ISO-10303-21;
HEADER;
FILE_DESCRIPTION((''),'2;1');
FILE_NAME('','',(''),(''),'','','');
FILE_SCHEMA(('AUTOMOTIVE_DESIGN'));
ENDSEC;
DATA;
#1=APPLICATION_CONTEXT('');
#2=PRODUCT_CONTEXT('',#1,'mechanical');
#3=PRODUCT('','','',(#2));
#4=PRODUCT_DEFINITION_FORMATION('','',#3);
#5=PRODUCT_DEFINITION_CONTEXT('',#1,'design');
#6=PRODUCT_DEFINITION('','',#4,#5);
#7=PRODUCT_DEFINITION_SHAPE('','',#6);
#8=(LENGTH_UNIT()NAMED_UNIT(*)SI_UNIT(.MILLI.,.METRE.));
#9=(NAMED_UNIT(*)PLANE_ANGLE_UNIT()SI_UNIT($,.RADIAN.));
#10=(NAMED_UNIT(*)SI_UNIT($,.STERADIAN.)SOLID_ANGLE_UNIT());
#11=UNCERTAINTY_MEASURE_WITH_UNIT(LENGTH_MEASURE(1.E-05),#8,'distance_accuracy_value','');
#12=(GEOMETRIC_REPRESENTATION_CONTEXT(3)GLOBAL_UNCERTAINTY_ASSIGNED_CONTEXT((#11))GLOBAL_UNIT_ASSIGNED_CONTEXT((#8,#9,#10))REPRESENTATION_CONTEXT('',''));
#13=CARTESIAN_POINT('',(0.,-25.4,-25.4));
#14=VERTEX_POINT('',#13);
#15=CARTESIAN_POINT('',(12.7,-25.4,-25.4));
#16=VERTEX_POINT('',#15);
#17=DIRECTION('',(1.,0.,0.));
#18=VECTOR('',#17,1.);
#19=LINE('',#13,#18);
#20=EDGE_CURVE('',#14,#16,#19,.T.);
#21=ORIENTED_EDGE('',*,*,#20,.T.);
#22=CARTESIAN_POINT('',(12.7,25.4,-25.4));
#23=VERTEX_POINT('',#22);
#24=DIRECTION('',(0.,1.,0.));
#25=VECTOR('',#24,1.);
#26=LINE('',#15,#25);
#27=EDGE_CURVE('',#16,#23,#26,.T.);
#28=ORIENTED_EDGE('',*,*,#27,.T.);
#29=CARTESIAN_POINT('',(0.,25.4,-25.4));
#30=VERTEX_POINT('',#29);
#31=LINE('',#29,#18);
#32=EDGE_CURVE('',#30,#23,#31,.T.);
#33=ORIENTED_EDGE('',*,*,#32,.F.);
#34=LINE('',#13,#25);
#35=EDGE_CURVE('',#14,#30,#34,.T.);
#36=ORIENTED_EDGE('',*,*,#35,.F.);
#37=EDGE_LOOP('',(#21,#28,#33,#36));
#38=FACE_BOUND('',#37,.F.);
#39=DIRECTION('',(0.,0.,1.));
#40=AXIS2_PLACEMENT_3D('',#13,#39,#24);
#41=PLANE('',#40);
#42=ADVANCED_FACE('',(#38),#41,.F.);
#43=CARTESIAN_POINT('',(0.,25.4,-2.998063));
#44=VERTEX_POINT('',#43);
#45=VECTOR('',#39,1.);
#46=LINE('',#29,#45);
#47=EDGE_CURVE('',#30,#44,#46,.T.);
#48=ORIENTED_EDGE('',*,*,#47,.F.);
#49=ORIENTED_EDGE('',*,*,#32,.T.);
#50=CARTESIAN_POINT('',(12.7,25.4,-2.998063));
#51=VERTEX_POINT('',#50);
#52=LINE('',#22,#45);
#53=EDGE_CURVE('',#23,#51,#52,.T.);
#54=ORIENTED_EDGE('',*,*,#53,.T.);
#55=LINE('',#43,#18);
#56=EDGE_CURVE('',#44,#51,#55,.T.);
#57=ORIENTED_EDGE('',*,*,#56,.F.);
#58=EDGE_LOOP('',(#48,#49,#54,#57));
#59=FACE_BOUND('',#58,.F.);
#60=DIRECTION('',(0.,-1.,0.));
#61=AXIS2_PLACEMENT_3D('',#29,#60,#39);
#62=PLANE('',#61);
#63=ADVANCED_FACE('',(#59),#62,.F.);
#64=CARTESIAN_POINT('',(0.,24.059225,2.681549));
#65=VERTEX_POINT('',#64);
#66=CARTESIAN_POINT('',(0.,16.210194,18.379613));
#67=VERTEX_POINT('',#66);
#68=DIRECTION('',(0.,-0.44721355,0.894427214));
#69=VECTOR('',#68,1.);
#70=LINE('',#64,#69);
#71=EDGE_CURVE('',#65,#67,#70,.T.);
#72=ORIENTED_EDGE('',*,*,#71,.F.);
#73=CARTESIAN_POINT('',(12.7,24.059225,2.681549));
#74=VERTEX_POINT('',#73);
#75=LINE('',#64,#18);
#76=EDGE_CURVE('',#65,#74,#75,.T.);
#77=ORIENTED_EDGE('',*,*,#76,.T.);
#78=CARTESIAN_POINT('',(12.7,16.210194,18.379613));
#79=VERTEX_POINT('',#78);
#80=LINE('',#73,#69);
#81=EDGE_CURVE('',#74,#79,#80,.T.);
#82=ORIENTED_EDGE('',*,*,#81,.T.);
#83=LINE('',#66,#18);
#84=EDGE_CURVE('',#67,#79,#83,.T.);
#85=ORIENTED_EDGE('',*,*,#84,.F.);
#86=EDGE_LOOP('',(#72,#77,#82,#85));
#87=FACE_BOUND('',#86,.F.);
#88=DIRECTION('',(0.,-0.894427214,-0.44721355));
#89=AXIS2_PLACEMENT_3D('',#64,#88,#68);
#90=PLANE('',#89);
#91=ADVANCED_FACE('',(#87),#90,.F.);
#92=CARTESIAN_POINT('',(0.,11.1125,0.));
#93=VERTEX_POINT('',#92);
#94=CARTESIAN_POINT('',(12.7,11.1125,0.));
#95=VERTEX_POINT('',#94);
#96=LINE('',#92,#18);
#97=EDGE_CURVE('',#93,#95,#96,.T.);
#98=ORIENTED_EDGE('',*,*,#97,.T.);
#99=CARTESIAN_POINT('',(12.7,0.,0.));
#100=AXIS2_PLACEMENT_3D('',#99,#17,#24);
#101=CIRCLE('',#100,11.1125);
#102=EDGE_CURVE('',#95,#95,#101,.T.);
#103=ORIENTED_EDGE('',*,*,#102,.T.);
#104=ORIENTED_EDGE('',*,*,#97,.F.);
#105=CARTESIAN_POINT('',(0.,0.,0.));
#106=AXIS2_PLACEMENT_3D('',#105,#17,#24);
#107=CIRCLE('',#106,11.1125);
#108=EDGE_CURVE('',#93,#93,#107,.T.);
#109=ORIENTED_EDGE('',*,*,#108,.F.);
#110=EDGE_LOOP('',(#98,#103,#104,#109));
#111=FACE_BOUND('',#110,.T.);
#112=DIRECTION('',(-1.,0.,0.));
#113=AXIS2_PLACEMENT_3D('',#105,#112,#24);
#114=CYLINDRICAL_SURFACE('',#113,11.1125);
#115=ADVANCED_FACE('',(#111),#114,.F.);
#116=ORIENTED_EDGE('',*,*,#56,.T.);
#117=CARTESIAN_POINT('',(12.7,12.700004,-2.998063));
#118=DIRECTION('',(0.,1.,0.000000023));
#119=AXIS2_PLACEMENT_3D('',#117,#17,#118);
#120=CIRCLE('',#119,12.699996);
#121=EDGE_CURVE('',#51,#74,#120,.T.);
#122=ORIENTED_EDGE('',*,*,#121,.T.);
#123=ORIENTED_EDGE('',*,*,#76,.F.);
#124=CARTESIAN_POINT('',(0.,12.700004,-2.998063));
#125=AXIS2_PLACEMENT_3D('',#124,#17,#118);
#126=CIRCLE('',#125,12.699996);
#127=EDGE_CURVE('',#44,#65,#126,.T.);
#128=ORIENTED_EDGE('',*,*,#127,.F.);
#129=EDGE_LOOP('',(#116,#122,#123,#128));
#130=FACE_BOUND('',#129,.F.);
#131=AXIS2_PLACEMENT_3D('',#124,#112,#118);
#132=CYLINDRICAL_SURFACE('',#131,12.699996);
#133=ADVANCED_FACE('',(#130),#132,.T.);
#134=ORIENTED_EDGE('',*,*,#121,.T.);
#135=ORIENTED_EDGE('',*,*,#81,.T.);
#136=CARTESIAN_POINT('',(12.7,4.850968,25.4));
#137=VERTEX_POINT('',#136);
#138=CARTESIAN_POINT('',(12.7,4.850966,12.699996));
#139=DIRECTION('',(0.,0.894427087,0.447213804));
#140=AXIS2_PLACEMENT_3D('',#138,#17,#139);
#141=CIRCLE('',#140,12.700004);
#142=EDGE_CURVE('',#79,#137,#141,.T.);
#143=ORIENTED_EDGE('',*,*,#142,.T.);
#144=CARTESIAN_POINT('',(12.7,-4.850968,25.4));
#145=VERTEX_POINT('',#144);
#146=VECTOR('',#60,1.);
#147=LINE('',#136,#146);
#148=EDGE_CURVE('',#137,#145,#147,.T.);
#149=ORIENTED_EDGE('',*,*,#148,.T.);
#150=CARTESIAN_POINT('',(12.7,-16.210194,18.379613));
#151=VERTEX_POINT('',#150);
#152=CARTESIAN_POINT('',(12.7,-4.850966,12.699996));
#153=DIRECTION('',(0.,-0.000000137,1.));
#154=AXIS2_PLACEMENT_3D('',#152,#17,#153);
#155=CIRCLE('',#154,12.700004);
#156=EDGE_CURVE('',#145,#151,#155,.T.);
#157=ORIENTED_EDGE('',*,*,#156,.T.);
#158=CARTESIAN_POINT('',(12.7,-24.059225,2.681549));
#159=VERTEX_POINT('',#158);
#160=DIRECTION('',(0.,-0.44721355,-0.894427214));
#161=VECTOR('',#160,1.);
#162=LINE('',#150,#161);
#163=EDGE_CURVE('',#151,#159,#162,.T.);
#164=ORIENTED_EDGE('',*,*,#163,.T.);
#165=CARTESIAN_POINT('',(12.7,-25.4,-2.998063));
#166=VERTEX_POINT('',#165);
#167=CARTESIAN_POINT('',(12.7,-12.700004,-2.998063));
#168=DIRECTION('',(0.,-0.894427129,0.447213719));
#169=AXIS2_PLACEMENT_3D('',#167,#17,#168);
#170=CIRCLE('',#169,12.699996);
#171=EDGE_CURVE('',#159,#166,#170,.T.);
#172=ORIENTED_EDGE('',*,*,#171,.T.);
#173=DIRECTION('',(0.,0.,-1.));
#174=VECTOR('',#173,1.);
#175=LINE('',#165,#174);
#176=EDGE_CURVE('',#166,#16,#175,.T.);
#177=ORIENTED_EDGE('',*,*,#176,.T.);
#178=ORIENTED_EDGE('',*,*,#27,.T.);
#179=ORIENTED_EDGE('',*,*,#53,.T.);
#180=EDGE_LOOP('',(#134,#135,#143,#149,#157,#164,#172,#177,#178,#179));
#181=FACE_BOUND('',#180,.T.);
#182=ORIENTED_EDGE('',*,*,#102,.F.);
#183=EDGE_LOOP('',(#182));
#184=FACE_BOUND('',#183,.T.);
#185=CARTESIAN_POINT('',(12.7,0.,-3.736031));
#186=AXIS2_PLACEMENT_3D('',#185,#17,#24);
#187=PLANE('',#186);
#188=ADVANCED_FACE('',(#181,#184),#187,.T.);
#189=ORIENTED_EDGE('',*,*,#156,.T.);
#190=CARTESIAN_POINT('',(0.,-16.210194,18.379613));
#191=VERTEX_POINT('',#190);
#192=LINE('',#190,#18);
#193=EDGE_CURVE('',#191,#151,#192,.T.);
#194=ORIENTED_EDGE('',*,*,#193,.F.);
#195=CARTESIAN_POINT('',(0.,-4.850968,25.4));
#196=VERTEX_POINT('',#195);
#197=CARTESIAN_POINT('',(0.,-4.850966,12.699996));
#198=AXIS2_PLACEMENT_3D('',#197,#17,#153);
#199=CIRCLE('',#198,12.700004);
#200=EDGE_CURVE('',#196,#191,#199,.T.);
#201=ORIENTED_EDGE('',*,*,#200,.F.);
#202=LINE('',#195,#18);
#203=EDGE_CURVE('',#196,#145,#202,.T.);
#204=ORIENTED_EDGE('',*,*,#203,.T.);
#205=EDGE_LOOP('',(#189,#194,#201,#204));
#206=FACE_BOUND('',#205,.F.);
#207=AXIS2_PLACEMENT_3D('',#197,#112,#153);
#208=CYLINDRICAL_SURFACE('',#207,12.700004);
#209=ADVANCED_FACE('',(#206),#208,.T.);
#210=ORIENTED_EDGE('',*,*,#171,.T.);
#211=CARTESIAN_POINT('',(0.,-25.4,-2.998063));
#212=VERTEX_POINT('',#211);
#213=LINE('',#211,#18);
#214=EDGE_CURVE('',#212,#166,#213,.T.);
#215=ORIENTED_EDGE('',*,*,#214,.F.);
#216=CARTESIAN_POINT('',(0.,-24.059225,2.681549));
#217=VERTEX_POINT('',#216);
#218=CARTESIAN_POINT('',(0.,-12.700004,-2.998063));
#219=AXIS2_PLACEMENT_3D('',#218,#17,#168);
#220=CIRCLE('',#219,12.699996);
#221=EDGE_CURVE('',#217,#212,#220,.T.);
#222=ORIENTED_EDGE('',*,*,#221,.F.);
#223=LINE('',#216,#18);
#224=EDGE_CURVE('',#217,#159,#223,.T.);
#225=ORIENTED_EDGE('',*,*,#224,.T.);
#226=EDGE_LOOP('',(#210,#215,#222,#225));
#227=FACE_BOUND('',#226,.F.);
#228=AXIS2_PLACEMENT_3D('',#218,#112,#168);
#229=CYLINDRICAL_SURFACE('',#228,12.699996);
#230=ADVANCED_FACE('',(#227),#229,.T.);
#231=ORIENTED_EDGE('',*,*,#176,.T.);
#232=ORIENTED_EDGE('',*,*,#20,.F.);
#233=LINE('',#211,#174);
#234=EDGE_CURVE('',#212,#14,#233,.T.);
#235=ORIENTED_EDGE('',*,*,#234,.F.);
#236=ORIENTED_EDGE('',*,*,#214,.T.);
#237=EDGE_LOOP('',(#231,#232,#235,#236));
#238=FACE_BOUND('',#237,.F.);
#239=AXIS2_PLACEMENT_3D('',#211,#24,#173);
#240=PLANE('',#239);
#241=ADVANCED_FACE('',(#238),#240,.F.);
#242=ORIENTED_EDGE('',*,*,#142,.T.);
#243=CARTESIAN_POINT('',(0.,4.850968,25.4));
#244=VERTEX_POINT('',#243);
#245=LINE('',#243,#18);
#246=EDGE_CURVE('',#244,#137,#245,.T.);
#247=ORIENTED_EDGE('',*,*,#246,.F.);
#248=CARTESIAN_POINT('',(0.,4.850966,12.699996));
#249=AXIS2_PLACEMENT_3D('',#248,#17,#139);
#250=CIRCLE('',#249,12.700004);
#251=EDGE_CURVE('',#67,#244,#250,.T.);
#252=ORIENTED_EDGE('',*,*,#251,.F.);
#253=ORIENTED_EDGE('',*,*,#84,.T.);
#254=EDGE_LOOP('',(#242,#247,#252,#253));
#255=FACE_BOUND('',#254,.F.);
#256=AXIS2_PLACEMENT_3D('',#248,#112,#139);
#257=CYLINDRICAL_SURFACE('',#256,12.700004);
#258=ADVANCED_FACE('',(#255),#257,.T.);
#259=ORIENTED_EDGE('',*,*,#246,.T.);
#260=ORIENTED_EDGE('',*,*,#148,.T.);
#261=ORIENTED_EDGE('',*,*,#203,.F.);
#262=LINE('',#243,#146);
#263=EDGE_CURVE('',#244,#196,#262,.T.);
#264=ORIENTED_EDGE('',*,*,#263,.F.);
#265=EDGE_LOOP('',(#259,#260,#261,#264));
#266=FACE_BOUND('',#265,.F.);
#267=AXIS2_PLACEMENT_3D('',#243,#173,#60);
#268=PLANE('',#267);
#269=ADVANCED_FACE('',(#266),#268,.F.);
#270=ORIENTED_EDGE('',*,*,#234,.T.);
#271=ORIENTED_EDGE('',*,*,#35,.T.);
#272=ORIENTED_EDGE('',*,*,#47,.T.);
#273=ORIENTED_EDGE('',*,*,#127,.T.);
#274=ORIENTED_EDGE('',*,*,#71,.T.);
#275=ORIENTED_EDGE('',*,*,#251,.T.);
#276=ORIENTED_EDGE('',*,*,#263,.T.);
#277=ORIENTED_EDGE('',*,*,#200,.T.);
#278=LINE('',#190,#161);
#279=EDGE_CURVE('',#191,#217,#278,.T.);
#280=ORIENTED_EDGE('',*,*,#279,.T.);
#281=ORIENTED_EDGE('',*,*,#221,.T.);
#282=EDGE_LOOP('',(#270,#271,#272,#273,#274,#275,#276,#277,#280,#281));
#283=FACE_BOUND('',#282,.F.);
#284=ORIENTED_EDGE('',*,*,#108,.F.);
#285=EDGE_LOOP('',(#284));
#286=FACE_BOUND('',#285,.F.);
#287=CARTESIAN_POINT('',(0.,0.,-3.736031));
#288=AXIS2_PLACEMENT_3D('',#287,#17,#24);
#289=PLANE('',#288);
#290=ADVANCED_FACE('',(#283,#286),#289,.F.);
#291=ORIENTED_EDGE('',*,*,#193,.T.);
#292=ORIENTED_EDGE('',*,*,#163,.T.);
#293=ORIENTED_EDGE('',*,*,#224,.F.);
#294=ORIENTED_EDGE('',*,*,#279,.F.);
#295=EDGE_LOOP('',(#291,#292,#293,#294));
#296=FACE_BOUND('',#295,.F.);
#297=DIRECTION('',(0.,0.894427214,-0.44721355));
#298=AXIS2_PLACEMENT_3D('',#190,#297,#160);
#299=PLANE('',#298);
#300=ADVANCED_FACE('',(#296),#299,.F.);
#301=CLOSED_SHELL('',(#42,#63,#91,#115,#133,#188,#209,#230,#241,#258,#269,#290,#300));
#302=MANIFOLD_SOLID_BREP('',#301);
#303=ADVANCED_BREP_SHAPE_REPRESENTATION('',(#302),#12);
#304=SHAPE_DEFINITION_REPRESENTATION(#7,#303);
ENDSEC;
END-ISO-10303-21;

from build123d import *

# Parameters (mm, degrees)
F0_R     = 11.1125
F1_DEPTH = 12.7


with BuildPart() as f1:
    # F0 (on Right) → F1 (new body)
    with BuildSketch(Plane.YZ):
        with BuildLine():
            Line((4.850968, 25.4), (0, 25.4))
            Line((0, 25.4), (-4.850968, 25.4))
            ThreePointArc((-4.850968, 25.4), (-11.527753, 23.503265), (-16.210194, 18.379613))
            Line((-16.210194, 18.379613), (-24.059225, 2.681549))
            ThreePointArc((-24.059225, 2.681549), (-25.060262, -0.080201), (-25.4, -2.998063))
            Line((-25.4, -2.998063), (-25.4, -25.4))
            Line((-25.4, -25.4), (0, -25.4))
            Line((0, -25.4), (25.4, -25.4))
            Line((25.4, -25.4), (25.4, -2.998063))
            ThreePointArc((25.4, -2.998063), (25.060262, -0.080201), (24.059225, 2.681549))
            Line((24.059225, 2.681549), (16.210194, 18.379613))
            ThreePointArc((16.210194, 18.379613), (11.527753, 23.503265), (4.850968, 25.4))
        make_face()
        Circle(F0_R, mode=Mode.SUBTRACT)
    extrude(amount=F1_DEPTH)


solid = f1.part
